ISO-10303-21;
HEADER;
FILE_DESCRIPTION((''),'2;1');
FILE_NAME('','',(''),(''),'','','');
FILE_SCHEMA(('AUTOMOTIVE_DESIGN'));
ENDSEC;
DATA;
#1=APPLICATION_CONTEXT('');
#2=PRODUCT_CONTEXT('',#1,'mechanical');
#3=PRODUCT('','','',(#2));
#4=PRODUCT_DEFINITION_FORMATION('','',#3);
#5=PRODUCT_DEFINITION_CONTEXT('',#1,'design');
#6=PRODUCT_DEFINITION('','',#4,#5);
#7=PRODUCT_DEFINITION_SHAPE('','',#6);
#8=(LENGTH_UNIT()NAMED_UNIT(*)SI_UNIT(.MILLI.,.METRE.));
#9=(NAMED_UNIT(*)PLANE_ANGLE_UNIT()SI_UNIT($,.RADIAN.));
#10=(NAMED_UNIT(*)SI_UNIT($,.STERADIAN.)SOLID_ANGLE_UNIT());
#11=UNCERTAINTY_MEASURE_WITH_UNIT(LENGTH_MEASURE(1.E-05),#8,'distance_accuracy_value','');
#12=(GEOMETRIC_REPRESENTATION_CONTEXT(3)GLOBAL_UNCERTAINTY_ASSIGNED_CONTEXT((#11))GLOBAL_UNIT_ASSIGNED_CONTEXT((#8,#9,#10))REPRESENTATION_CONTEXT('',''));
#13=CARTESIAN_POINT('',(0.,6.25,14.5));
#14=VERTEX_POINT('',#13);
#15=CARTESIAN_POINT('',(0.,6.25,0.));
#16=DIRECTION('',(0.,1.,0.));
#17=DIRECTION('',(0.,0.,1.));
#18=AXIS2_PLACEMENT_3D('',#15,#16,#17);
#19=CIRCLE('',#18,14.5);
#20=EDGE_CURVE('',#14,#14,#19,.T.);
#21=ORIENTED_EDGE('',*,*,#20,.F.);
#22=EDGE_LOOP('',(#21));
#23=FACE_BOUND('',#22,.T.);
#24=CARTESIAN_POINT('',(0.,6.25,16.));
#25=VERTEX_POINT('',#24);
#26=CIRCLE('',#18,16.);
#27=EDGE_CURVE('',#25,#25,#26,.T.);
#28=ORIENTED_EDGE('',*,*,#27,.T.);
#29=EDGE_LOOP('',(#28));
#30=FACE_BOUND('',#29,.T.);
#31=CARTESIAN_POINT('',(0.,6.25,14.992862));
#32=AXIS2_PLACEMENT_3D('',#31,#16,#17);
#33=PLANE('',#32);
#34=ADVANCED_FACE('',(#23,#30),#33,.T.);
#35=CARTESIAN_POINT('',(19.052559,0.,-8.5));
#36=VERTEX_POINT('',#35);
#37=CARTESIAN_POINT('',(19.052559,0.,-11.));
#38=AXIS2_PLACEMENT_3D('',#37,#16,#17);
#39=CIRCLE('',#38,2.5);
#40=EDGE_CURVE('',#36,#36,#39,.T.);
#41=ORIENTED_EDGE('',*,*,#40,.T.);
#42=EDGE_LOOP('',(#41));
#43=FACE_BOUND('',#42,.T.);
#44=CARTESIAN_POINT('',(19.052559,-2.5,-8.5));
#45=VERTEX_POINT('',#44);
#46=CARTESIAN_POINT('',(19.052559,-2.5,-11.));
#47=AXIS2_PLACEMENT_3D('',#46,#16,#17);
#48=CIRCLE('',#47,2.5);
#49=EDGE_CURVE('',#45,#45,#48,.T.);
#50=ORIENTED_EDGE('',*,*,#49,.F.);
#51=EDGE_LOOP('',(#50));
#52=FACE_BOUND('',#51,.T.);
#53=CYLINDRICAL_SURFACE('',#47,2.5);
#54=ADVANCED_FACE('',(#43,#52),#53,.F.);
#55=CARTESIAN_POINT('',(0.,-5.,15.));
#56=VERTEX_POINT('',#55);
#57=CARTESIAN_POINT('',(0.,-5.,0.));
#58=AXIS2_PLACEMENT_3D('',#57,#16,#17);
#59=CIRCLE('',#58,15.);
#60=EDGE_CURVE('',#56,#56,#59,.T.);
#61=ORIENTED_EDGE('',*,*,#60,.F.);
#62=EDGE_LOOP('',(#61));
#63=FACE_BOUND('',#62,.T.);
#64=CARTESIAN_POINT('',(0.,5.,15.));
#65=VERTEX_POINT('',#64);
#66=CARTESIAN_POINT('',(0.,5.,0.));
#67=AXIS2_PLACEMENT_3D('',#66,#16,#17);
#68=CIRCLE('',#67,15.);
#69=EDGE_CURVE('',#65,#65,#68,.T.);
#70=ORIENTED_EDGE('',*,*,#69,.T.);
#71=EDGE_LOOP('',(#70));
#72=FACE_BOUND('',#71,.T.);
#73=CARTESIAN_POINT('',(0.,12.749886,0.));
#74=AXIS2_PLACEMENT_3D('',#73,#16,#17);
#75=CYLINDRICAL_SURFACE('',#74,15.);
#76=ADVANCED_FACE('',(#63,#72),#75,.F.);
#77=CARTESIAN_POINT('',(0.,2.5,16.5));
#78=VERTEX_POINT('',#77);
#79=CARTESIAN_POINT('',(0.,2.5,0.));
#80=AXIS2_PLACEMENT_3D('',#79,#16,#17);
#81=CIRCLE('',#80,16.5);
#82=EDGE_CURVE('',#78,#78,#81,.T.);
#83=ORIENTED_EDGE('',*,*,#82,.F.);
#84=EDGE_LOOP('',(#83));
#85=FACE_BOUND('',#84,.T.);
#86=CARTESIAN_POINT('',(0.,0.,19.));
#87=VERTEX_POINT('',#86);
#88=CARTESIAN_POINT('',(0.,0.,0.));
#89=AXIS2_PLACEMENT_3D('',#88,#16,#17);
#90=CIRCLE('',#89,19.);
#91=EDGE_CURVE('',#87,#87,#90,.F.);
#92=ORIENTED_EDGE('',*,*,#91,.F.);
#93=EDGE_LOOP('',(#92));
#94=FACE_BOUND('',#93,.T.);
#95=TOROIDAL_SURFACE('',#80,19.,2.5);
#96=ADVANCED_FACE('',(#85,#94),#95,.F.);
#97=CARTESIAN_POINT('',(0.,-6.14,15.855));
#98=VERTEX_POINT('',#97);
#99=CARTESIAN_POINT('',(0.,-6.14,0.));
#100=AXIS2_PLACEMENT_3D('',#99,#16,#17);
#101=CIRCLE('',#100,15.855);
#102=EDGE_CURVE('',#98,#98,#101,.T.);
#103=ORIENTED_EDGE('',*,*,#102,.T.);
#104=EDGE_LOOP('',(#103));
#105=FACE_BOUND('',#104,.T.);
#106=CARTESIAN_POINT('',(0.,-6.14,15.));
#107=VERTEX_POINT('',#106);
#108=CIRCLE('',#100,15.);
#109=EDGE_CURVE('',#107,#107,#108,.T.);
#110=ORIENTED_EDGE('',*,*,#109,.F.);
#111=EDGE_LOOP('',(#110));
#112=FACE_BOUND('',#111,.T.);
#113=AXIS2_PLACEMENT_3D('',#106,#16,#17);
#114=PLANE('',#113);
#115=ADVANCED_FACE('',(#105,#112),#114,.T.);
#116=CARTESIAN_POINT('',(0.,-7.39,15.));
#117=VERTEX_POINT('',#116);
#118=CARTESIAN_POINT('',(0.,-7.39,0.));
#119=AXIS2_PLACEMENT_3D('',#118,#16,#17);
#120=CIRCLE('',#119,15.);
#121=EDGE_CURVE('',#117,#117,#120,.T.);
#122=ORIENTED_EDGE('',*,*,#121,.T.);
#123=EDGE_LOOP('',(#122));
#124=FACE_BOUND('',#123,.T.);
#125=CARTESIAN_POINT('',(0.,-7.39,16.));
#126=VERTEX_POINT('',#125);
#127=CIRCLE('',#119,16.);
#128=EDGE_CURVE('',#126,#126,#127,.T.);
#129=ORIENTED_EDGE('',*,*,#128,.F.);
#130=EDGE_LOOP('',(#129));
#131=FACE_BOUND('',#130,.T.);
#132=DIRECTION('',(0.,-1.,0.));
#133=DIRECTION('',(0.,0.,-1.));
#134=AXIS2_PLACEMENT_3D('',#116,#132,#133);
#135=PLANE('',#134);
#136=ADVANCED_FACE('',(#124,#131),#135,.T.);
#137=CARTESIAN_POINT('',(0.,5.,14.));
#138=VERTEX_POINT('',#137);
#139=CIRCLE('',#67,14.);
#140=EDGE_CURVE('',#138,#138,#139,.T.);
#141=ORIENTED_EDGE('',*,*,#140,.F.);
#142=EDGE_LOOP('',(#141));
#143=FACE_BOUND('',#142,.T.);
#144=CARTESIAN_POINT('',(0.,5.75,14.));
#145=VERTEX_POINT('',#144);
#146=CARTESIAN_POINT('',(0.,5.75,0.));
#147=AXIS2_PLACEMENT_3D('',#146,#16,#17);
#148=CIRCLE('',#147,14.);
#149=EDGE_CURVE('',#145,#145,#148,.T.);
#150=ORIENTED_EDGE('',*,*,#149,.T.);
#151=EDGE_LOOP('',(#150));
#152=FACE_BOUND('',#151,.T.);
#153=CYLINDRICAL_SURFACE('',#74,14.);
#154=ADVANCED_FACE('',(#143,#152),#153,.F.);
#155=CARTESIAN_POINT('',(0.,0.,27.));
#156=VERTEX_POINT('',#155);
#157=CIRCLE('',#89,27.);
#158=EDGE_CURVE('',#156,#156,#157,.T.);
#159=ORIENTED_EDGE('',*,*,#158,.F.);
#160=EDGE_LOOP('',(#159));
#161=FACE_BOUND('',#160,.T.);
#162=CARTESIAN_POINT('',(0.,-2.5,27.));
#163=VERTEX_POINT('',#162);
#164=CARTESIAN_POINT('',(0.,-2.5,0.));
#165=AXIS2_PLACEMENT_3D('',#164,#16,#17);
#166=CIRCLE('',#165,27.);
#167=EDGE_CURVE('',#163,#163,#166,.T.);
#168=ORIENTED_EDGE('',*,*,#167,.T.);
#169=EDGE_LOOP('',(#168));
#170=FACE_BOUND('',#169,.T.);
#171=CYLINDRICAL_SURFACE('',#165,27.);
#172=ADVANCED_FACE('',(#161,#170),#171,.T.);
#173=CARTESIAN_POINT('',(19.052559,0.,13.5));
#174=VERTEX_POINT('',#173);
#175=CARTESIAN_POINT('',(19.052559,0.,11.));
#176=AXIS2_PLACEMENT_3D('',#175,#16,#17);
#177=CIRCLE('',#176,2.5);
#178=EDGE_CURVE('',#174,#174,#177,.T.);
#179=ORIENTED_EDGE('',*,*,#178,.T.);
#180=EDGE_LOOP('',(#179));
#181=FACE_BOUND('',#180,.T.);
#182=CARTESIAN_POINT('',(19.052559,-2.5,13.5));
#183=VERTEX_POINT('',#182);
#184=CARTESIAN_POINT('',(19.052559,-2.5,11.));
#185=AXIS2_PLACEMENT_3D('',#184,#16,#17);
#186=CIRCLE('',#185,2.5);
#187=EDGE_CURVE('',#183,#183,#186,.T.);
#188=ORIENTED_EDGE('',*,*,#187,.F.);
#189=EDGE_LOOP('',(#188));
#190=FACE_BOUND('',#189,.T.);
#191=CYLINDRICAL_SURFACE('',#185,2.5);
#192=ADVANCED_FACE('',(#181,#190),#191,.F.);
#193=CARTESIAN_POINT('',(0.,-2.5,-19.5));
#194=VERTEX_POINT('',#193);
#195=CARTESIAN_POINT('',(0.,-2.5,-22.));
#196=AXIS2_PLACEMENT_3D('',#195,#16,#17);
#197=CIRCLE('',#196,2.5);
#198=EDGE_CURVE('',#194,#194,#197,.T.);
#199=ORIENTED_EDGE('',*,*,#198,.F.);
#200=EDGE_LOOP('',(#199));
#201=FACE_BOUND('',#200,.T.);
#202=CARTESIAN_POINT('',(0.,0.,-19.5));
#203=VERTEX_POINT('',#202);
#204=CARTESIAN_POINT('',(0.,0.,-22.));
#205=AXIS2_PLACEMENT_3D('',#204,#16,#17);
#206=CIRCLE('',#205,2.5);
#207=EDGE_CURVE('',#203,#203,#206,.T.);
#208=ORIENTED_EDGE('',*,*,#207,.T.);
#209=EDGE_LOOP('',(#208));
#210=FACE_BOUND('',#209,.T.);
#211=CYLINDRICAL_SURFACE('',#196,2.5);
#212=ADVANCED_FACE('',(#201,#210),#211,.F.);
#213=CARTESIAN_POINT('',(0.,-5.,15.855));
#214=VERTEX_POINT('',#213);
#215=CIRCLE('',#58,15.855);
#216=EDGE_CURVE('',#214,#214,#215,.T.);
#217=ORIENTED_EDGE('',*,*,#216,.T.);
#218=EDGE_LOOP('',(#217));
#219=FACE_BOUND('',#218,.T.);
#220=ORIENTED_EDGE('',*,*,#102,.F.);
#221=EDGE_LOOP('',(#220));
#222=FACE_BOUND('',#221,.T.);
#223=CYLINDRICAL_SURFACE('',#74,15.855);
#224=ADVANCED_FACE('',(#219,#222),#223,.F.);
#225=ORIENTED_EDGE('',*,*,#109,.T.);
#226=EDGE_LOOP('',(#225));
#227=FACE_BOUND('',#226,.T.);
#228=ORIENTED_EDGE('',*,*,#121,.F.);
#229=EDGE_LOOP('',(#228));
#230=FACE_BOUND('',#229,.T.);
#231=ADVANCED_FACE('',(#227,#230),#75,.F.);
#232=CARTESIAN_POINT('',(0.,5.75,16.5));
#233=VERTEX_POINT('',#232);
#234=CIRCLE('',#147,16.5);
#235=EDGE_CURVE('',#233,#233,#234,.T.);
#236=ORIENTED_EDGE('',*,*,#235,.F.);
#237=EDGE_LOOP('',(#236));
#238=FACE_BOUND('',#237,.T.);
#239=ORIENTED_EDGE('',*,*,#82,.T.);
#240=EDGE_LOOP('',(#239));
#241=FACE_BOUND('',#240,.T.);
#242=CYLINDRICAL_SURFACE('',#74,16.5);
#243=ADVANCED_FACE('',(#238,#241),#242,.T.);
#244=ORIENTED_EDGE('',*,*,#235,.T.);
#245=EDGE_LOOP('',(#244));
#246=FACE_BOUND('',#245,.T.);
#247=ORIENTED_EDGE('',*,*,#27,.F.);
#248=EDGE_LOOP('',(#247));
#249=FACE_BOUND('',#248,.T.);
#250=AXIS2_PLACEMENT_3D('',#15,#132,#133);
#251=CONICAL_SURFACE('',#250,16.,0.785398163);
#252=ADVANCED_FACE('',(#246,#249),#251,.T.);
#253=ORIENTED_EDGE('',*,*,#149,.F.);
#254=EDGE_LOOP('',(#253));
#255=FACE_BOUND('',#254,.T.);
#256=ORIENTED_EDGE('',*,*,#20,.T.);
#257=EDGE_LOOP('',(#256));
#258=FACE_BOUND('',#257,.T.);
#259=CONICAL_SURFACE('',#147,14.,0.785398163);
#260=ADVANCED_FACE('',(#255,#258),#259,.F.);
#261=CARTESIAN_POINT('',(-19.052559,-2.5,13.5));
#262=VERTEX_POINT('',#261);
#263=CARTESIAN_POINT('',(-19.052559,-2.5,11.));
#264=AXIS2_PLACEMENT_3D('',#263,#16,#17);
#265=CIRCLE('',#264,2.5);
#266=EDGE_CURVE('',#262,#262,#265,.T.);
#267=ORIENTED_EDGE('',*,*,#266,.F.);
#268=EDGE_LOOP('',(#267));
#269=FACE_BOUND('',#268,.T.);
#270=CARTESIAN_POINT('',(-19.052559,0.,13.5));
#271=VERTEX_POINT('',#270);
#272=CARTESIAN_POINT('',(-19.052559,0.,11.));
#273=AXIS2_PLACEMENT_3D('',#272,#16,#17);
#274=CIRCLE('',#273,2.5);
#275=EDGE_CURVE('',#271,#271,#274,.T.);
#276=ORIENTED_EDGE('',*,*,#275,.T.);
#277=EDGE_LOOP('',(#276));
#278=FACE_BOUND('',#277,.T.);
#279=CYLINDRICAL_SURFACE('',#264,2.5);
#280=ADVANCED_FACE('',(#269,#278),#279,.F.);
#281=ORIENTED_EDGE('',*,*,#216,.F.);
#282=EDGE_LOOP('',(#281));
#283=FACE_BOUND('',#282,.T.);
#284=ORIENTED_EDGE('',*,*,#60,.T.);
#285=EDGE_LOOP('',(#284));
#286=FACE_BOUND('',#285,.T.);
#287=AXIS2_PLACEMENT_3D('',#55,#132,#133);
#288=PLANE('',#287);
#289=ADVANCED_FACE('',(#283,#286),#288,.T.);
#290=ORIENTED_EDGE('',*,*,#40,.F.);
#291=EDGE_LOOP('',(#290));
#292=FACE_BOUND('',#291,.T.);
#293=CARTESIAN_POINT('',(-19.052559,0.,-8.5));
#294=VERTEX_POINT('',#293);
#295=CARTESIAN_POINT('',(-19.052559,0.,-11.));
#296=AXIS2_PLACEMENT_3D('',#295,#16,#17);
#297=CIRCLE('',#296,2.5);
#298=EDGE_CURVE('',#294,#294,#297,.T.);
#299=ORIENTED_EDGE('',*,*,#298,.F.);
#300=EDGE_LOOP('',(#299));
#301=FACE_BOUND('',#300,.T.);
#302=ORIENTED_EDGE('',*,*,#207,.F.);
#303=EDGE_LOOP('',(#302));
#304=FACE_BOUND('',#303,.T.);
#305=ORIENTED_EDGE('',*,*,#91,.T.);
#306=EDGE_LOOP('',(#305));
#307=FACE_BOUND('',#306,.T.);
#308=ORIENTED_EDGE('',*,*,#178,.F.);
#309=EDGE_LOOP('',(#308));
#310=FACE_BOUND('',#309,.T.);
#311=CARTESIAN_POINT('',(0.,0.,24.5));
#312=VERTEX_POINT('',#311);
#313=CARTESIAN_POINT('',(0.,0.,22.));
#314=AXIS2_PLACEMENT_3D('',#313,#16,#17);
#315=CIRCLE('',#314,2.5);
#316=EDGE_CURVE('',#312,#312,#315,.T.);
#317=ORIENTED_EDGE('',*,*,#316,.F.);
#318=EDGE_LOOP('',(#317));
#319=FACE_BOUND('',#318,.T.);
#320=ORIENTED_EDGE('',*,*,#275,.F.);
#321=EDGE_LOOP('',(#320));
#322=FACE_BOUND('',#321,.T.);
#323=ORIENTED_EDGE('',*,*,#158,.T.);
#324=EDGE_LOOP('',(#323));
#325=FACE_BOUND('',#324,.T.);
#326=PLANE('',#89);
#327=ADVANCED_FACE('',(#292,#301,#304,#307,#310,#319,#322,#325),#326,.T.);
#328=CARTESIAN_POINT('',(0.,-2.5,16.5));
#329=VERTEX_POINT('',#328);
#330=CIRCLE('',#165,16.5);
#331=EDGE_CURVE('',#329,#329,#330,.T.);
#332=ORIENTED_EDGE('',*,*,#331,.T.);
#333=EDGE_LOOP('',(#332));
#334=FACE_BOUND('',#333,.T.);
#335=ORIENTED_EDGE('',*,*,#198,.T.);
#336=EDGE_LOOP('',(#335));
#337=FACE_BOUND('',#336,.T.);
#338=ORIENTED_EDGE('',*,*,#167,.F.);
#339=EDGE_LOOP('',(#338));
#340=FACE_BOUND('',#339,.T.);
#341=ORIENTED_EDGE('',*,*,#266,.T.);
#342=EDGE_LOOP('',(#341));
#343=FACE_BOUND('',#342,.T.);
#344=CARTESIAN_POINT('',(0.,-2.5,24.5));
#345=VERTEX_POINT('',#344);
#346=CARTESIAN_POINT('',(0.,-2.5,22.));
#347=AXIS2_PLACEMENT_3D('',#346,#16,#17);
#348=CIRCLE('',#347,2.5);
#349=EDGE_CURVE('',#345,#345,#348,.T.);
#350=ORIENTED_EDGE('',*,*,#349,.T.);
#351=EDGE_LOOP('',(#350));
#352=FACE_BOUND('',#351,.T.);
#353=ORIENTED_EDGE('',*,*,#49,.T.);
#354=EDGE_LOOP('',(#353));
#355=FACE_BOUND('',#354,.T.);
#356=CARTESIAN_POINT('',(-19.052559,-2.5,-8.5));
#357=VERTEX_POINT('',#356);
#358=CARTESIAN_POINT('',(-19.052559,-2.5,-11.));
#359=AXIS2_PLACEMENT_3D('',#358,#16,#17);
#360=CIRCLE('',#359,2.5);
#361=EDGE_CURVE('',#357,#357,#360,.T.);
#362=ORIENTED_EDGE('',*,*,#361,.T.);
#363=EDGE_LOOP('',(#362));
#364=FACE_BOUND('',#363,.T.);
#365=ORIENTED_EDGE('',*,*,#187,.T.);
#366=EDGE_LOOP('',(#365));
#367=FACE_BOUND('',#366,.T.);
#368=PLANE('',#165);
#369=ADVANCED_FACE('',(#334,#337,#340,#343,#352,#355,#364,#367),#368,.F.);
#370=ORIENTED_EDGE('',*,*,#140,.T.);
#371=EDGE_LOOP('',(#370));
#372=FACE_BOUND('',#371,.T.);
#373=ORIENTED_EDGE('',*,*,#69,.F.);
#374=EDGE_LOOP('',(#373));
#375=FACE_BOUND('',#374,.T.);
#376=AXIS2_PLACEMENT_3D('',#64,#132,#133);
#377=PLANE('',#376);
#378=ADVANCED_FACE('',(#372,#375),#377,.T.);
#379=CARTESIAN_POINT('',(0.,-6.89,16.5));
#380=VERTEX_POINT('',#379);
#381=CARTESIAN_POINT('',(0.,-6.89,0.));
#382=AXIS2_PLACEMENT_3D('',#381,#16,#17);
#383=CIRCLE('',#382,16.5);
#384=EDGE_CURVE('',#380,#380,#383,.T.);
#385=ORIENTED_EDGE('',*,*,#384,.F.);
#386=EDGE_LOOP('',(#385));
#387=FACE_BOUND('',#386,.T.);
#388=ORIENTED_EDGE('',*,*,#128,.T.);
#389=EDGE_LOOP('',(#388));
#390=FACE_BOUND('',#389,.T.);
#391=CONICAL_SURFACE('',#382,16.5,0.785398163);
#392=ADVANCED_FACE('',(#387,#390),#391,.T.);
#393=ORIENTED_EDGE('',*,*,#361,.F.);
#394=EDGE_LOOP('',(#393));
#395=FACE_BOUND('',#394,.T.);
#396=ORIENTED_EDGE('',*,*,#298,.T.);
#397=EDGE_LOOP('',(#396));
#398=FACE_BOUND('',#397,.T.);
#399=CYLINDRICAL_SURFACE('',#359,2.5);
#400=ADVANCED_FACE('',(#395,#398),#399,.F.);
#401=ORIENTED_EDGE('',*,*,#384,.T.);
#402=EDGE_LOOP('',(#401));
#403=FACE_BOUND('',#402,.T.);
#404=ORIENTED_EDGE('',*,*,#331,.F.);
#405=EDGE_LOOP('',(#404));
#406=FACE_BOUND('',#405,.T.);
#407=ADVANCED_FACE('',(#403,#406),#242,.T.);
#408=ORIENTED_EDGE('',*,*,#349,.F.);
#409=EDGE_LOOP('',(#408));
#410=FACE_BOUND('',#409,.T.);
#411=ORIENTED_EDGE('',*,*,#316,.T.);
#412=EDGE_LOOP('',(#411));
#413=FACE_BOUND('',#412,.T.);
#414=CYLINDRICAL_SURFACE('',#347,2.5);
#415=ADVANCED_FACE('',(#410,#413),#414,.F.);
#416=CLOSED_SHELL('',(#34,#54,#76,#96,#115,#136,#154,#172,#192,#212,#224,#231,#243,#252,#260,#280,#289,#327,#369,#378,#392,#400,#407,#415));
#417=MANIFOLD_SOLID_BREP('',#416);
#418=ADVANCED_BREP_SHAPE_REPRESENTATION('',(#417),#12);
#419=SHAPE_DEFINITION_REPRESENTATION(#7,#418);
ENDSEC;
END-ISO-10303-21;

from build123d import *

# Parameters (mm, degrees)
SKETCH1_R           = 27
SKETCH1_R_2         = 2.5
SKETCH1_R_3         = 16.5
BOSS_EXTRUDE1_DEPTH = 2.5
FILLET1_R           = 2.5


with BuildPart() as part:
    # Sketch1 → Boss-Extrude1 (new body)
    with BuildSketch(Plane(origin=(0, 0, 0), x_dir=(1, 0, 0), z_dir=(0, 1, 0))):
        Circle(SKETCH1_R)
        with Locations((0, 22)):
            Circle(SKETCH1_R_2, mode=Mode.SUBTRACT)
        with Locations((19.052558883, 11)):
            Circle(SKETCH1_R_2, mode=Mode.SUBTRACT)
        with Locations((19.052558883, -11)):
            Circle(SKETCH1_R_2, mode=Mode.SUBTRACT)
        with Locations((0, -22)):
            Circle(SKETCH1_R_2, mode=Mode.SUBTRACT)
        with Locations((-19.052558883, -11)):
            Circle(SKETCH1_R_2, mode=Mode.SUBTRACT)
        with Locations((-19.052558883, 11)):
            Circle(SKETCH1_R_2, mode=Mode.SUBTRACT)
        Circle(SKETCH1_R_3, mode=Mode.SUBTRACT)
    extrude(amount=-BOSS_EXTRUDE1_DEPTH)

    # Sketch4 → Revolve1 (revolve)
    with BuildSketch(Plane(origin=(0, 0, 0), x_dir=(0, 0, -1), z_dir=(1, 0, 0))):
        Polygon((-16.5, -6.89), (-16.5, 5.75), (-16, 6.25), (-14.992862102, 6.25), (-14.5, 6.25), (-14, 5.75), (-14, 5), (-15, 5), (-15, -5), (-15.855, -5), (-15.855, -6.14), (-15, -6.14), (-15, -7.39), (-16, -7.39), align=None)
    revolve(axis=Axis((0, 12.74988571, 0), (0, -1, 0)))

    # Fillet1
    fillet1_edges = [part.edges().sort_by_distance(p)[0] for p in [
        (0, 0, -16.5),
    ]]
    fillet(fillet1_edges, radius=FILLET1_R)


solid = part.part
